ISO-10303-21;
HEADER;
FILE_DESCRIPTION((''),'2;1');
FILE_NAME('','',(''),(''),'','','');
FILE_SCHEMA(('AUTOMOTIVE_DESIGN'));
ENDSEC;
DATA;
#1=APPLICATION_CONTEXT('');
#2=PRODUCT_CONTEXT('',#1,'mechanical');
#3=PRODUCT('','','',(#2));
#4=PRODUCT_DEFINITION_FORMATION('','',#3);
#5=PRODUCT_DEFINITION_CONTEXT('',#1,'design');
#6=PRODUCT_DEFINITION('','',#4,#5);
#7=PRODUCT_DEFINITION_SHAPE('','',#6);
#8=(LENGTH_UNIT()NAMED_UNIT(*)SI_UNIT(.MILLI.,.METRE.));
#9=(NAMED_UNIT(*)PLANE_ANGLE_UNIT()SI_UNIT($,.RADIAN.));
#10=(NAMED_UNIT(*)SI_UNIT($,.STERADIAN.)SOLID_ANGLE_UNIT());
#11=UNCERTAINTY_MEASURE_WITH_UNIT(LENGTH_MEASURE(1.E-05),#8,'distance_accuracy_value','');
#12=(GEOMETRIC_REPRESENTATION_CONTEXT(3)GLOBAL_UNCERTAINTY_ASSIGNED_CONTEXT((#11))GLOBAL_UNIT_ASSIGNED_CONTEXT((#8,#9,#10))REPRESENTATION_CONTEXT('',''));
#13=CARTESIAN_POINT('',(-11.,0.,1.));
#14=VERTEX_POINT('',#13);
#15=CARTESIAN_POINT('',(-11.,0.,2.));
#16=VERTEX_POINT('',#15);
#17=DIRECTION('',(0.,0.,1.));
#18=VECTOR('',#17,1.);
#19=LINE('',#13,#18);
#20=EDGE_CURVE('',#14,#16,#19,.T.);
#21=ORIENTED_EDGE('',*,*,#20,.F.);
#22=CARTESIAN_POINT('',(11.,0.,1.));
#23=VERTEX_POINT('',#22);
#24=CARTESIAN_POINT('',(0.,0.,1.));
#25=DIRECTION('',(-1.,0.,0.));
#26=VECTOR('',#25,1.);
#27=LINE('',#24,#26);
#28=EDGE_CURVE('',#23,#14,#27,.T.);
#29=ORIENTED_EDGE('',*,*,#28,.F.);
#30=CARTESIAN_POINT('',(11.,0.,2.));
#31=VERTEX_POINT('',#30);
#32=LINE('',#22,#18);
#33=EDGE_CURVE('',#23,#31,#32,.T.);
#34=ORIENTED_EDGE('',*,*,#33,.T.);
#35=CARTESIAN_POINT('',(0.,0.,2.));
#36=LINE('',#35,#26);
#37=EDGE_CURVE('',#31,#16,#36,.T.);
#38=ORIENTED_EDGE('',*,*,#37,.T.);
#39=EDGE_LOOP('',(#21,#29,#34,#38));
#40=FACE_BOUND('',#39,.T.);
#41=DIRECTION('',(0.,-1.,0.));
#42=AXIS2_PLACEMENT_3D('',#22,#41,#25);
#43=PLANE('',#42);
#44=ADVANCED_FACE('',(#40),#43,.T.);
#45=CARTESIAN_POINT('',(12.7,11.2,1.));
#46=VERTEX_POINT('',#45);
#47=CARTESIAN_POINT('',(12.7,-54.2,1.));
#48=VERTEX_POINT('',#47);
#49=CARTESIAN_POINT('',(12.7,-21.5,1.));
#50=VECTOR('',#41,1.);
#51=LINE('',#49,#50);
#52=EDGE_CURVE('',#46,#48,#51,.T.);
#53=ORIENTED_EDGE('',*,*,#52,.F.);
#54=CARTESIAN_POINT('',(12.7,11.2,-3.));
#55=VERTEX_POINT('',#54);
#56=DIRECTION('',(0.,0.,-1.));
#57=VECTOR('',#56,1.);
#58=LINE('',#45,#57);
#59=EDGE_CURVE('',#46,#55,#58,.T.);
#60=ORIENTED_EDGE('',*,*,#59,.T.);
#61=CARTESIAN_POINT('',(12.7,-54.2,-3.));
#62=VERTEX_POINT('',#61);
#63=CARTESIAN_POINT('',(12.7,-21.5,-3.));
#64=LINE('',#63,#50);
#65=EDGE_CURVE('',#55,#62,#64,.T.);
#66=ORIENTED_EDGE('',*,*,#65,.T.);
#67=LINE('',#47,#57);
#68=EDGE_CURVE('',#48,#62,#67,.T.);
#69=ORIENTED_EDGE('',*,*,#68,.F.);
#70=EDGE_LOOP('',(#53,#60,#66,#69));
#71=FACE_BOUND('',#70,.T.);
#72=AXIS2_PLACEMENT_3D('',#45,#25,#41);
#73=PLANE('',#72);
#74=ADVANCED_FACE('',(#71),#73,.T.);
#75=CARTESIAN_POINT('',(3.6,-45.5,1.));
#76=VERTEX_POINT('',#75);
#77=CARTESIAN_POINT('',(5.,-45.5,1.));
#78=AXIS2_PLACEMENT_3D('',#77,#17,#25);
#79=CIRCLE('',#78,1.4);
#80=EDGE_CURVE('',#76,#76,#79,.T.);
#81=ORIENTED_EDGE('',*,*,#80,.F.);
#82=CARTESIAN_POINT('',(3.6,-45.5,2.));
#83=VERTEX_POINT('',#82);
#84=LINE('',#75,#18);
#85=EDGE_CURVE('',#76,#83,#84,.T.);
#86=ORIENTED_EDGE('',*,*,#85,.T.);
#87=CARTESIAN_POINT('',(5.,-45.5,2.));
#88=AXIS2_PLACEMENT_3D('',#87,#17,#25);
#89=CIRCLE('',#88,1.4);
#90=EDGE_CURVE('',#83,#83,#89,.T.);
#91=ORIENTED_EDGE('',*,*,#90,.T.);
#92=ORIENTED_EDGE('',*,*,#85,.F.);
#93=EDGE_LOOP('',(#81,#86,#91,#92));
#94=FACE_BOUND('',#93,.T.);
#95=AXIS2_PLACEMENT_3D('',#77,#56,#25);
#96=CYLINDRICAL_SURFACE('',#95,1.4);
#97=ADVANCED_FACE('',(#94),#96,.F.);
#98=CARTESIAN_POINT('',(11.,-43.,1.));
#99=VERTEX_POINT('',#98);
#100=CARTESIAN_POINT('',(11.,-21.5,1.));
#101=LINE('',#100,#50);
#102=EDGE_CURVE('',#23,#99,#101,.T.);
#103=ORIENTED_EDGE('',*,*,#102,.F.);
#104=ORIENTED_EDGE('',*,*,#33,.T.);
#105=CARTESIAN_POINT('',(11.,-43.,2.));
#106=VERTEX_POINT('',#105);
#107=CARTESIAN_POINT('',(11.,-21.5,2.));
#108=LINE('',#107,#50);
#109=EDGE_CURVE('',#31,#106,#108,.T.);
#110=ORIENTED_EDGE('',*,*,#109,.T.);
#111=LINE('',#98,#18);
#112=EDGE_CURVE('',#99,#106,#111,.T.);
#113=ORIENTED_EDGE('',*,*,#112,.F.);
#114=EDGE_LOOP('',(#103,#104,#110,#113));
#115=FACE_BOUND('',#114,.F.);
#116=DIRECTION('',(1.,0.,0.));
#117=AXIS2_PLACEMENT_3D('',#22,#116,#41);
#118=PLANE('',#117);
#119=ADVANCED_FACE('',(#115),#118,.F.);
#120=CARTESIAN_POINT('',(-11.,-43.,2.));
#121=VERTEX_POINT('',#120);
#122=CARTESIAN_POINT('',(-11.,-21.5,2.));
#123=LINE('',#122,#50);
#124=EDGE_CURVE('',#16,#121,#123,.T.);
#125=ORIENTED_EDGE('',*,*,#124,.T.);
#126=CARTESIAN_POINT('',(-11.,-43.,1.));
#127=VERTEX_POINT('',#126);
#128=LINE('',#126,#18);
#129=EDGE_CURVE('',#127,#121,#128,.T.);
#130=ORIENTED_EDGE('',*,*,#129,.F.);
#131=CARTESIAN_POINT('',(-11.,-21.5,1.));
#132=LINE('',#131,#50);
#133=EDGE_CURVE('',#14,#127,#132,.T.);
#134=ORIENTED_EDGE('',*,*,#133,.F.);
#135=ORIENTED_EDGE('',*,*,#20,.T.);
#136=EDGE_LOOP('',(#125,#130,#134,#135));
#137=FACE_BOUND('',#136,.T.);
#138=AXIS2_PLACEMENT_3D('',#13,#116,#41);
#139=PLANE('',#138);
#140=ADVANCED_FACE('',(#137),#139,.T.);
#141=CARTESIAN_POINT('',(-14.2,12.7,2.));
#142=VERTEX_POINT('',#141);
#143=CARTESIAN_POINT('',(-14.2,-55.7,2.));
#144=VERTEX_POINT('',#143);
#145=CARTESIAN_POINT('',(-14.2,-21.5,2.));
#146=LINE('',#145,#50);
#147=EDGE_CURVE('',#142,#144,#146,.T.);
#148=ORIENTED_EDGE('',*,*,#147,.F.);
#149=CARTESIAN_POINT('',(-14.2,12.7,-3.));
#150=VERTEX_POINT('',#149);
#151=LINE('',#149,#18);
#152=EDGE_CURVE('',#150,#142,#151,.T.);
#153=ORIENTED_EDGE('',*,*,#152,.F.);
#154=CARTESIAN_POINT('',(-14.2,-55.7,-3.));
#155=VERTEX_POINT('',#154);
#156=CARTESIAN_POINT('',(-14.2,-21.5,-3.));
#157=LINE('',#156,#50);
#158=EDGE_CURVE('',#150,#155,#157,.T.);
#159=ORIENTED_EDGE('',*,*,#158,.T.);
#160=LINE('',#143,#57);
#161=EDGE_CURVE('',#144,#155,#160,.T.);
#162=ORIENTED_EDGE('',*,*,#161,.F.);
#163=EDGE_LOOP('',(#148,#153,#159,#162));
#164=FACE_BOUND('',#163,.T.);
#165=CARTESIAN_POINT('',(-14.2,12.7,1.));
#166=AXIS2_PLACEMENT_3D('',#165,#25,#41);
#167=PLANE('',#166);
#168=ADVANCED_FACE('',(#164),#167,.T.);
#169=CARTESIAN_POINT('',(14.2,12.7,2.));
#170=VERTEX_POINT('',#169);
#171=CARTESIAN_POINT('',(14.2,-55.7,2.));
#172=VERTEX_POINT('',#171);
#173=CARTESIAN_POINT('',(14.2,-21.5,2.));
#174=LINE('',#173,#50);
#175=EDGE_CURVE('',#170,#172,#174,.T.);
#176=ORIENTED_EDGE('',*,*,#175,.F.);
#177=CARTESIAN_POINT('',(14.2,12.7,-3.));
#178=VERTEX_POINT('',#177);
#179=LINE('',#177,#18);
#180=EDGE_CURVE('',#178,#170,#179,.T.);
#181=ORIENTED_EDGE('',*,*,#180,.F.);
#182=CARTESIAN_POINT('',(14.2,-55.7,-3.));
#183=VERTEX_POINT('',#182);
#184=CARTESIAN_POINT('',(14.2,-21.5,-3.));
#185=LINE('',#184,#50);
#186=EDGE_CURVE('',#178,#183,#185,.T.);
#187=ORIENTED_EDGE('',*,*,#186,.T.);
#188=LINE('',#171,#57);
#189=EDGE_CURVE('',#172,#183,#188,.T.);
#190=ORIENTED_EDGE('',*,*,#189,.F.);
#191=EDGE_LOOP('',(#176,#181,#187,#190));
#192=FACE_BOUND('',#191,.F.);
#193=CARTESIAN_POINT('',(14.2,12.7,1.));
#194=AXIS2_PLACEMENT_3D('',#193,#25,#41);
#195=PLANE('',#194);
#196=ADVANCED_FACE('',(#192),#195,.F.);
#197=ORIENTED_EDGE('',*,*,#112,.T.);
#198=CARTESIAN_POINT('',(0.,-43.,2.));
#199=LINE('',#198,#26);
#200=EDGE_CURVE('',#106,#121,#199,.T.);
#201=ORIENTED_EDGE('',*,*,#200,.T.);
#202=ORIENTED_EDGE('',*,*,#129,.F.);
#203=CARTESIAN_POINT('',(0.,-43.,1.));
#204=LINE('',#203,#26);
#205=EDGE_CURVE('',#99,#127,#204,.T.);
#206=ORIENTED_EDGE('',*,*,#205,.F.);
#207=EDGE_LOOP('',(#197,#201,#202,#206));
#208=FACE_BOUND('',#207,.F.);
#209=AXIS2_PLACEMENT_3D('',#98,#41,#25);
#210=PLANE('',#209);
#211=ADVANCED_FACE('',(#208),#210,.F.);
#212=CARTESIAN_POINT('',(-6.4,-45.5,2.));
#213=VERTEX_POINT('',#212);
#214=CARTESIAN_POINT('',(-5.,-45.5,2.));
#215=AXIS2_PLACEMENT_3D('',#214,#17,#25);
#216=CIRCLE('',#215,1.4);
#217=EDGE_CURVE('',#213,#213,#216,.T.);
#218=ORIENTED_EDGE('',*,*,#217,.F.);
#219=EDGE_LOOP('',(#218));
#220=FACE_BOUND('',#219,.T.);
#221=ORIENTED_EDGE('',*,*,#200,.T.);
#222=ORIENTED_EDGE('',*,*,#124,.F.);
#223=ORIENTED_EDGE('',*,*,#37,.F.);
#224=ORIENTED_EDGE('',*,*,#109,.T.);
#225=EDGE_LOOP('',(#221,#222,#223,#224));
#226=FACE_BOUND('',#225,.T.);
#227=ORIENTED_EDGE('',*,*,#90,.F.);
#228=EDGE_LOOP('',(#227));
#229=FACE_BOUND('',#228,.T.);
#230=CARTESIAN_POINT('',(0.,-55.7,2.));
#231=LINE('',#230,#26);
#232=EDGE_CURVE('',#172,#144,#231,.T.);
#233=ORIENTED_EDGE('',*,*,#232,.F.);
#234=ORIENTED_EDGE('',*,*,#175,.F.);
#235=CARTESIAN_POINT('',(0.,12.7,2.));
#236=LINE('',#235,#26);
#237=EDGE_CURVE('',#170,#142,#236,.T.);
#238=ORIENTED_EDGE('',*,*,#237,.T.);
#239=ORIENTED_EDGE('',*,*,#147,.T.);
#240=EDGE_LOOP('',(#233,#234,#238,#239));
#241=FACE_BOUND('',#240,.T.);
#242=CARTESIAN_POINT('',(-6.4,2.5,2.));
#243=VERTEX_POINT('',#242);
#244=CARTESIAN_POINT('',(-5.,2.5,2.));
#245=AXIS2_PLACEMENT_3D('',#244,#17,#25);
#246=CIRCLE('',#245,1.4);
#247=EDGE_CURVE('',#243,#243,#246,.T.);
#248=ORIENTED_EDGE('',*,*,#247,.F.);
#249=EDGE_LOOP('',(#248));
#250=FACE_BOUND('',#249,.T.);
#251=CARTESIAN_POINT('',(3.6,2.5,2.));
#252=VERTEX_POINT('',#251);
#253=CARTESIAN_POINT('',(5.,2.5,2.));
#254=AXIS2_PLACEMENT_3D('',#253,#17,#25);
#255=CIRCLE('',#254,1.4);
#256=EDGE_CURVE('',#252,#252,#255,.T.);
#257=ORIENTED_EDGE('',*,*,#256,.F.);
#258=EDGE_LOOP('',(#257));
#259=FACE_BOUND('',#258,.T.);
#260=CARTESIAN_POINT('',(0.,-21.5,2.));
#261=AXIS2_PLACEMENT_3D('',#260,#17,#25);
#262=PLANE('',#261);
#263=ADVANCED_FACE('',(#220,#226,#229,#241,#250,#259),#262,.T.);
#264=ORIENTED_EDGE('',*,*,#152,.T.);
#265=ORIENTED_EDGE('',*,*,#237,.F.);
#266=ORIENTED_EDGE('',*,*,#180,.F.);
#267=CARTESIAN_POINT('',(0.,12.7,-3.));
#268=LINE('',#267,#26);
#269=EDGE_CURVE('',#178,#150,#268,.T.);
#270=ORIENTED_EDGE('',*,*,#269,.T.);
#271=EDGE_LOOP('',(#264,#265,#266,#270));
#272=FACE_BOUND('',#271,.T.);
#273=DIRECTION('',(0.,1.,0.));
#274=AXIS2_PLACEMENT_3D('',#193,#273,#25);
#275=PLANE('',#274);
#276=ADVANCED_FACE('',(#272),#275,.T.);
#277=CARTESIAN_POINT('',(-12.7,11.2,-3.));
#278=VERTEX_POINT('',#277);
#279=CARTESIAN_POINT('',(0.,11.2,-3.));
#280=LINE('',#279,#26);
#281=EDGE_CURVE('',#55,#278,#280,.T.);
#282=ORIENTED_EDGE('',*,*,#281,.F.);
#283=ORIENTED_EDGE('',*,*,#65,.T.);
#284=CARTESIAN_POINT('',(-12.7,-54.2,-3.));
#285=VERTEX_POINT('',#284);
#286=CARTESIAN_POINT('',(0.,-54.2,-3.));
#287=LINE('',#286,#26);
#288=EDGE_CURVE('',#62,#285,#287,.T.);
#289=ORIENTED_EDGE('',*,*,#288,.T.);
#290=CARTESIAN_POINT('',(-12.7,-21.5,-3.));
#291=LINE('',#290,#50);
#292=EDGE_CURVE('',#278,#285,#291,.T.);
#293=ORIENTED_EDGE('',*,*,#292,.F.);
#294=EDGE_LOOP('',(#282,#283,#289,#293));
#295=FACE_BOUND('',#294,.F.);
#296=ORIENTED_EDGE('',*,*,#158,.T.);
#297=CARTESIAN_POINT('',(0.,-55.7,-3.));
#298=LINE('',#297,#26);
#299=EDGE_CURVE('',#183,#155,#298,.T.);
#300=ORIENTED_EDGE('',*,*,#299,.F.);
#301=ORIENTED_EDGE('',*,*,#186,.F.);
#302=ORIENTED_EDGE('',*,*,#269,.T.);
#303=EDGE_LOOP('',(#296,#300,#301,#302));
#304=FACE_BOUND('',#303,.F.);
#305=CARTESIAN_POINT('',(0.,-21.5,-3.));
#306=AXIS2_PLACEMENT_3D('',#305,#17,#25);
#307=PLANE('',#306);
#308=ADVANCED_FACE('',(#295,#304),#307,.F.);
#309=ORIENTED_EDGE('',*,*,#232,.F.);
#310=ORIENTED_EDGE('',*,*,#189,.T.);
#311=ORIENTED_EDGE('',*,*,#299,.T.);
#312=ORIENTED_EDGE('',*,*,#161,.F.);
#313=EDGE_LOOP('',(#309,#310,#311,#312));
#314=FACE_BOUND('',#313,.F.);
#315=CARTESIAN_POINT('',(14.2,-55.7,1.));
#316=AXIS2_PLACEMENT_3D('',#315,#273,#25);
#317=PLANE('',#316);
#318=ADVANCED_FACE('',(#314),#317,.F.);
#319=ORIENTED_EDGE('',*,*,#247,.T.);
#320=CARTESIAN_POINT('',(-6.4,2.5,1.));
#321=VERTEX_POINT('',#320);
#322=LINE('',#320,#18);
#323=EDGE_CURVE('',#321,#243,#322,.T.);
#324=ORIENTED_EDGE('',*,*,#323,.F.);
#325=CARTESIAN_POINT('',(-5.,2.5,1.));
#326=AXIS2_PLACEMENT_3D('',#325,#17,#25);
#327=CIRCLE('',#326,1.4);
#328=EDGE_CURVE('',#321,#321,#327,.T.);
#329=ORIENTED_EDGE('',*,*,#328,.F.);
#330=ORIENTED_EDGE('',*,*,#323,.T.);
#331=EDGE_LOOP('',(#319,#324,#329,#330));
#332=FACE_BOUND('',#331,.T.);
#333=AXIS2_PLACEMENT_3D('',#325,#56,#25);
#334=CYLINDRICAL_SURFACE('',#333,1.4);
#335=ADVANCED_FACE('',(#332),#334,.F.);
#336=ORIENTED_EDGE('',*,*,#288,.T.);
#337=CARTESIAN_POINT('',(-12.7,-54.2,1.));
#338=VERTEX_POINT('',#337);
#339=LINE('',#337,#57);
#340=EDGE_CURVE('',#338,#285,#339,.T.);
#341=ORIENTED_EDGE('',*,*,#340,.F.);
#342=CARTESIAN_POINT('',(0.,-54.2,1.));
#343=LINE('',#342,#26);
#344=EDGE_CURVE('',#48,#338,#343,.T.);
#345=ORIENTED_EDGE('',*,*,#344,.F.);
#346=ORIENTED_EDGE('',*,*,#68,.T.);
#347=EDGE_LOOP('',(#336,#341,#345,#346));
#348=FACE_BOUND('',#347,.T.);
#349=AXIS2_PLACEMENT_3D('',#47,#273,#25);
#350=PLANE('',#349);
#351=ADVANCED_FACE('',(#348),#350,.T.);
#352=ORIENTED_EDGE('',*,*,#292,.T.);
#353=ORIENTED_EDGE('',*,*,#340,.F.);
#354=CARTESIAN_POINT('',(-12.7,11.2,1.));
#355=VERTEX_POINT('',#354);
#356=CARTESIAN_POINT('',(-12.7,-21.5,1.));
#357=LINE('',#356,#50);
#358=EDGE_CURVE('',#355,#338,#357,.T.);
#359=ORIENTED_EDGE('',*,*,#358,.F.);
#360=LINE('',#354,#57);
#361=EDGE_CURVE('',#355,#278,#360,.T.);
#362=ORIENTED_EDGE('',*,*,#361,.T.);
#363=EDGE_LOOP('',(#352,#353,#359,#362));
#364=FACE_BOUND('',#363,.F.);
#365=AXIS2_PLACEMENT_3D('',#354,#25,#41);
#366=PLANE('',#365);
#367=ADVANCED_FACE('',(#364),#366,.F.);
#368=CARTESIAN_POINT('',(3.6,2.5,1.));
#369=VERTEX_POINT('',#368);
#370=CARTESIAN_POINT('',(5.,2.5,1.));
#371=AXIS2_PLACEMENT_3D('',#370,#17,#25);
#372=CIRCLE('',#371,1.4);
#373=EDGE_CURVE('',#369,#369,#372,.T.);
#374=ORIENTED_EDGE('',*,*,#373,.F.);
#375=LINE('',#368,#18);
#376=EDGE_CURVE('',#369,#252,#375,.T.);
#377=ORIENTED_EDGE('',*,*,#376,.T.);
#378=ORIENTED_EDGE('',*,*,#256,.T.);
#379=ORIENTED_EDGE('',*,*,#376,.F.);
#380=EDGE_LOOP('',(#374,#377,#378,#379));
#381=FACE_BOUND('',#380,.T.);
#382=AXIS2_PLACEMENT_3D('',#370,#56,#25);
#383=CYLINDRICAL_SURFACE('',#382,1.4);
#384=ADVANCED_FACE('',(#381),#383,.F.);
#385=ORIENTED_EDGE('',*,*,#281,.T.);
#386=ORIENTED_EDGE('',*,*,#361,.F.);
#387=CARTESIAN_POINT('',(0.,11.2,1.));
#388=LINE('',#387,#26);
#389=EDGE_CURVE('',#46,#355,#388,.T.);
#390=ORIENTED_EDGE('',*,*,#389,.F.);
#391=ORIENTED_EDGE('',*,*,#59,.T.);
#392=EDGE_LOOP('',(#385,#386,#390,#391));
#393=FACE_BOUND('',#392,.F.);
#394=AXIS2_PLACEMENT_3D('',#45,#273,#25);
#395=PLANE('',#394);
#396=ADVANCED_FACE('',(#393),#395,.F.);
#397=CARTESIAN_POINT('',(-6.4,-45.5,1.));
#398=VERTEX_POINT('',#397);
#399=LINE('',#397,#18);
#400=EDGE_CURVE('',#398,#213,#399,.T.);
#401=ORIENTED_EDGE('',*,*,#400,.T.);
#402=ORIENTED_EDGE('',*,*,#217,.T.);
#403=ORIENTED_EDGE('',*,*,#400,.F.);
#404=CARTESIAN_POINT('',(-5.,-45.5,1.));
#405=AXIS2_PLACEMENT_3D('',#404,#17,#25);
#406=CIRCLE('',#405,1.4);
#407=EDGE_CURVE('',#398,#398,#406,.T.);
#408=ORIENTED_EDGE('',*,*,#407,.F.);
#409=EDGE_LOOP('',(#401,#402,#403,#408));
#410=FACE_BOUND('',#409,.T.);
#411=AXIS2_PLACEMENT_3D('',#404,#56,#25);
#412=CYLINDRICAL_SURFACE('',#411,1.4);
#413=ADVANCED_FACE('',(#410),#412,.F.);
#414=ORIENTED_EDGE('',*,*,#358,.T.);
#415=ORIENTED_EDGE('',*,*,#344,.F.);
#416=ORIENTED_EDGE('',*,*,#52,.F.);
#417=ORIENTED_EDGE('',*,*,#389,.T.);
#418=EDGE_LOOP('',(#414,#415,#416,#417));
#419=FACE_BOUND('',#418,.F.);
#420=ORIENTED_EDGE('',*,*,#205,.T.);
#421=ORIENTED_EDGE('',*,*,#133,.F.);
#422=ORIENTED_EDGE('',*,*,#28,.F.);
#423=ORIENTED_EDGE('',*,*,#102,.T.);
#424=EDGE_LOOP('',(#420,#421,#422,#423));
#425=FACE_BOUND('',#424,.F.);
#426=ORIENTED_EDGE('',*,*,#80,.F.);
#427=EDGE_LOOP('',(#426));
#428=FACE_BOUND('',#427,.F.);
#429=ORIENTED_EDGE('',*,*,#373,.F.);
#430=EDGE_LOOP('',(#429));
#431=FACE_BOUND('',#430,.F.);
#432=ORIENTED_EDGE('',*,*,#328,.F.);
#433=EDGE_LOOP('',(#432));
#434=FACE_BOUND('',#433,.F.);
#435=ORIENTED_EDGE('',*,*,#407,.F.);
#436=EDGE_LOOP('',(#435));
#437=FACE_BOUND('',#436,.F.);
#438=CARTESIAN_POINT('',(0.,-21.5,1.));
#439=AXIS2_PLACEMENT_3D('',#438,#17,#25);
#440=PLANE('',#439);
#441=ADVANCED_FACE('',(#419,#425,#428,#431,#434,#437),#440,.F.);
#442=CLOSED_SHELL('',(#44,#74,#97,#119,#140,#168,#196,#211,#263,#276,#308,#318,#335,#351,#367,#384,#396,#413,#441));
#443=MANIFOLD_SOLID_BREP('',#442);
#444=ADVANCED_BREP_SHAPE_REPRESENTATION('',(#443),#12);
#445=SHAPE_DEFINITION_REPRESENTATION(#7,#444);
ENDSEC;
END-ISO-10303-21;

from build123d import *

# Parameters (mm, degrees)
CYLINDER005_R     = 1.4
CYLINDER005_DEPTH = 10
SKETCH001_W       = 28.4
SKETCH001_H       = 68.4
SKETCH001_W_2     = 25.4
SKETCH001_H_2     = 65.4
EXTRUDE001_DEPTH  = 4
SKETCH_W          = 28.4
SKETCH_H          = 68.4
SKETCH_R          = 1.4
SKETCH_W_2        = 22
SKETCH_H_2        = 43
EXTRUDE_DEPTH     = 1


with BuildPart() as cylinder005:
    # Cylinder005 → Cylinder005 (new body)
    with BuildSketch(Plane(origin=(-5, 2.5, -5), x_dir=(1, 0, 0), z_dir=(0, 0, 1))):
        Circle(CYLINDER005_R)
    extrude(amount=CYLINDER005_DEPTH)


with BuildPart() as extrude001:
    # Sketch001 → Extrude001 (new body)
    with BuildSketch(Plane.XY.offset(1)):
        with Locations((0, -21.5)):
            Rectangle(SKETCH001_W, SKETCH001_H)
        with Locations((0, -21.5)):
            Rectangle(SKETCH001_W_2, SKETCH001_H_2, mode=Mode.SUBTRACT)
    extrude(amount=-EXTRUDE001_DEPTH)


with BuildPart() as body001:
    # Sketch → Extrude (new body)
    with BuildSketch(Plane.XY.offset(1)):
        with Locations((0, -21.5)):
            Rectangle(SKETCH_W, SKETCH_H)
        with Locations((-5, 2.5)):
            Circle(SKETCH_R, mode=Mode.SUBTRACT)
        with Locations((5, 2.5)):
            Circle(SKETCH_R, mode=Mode.SUBTRACT)
        with Locations((-5, -45.5)):
            Circle(SKETCH_R, mode=Mode.SUBTRACT)
        with Locations((5, -45.5)):
            Circle(SKETCH_R, mode=Mode.SUBTRACT)
        with Locations((0, -21.5)):
            Rectangle(SKETCH_W_2, SKETCH_H_2, mode=Mode.SUBTRACT)
    extrude(amount=EXTRUDE_DEPTH)

    # Fusion012: union Extrude001
    add(extrude001.part)

    # Cut001: cut Cylinder005
    add(cylinder005.part, mode=Mode.SUBTRACT)


with BuildPart() as body003:
    # Part__Mirroring002: instance of Body001
    add(body001.part.mirror(Plane(origin=(0, -21.5, 0), x_dir=(1, 0, 0), z_dir=(0, 1, 0))))


with BuildPart() as part_mirroring004:
    # Part__Mirroring004: instance of Body003
    add(body003.part.mirror(Plane(origin=(0, -21.5, 0), x_dir=(0, -1, 0), z_dir=(1, 0, 0))))


solid = part_mirroring004.part
